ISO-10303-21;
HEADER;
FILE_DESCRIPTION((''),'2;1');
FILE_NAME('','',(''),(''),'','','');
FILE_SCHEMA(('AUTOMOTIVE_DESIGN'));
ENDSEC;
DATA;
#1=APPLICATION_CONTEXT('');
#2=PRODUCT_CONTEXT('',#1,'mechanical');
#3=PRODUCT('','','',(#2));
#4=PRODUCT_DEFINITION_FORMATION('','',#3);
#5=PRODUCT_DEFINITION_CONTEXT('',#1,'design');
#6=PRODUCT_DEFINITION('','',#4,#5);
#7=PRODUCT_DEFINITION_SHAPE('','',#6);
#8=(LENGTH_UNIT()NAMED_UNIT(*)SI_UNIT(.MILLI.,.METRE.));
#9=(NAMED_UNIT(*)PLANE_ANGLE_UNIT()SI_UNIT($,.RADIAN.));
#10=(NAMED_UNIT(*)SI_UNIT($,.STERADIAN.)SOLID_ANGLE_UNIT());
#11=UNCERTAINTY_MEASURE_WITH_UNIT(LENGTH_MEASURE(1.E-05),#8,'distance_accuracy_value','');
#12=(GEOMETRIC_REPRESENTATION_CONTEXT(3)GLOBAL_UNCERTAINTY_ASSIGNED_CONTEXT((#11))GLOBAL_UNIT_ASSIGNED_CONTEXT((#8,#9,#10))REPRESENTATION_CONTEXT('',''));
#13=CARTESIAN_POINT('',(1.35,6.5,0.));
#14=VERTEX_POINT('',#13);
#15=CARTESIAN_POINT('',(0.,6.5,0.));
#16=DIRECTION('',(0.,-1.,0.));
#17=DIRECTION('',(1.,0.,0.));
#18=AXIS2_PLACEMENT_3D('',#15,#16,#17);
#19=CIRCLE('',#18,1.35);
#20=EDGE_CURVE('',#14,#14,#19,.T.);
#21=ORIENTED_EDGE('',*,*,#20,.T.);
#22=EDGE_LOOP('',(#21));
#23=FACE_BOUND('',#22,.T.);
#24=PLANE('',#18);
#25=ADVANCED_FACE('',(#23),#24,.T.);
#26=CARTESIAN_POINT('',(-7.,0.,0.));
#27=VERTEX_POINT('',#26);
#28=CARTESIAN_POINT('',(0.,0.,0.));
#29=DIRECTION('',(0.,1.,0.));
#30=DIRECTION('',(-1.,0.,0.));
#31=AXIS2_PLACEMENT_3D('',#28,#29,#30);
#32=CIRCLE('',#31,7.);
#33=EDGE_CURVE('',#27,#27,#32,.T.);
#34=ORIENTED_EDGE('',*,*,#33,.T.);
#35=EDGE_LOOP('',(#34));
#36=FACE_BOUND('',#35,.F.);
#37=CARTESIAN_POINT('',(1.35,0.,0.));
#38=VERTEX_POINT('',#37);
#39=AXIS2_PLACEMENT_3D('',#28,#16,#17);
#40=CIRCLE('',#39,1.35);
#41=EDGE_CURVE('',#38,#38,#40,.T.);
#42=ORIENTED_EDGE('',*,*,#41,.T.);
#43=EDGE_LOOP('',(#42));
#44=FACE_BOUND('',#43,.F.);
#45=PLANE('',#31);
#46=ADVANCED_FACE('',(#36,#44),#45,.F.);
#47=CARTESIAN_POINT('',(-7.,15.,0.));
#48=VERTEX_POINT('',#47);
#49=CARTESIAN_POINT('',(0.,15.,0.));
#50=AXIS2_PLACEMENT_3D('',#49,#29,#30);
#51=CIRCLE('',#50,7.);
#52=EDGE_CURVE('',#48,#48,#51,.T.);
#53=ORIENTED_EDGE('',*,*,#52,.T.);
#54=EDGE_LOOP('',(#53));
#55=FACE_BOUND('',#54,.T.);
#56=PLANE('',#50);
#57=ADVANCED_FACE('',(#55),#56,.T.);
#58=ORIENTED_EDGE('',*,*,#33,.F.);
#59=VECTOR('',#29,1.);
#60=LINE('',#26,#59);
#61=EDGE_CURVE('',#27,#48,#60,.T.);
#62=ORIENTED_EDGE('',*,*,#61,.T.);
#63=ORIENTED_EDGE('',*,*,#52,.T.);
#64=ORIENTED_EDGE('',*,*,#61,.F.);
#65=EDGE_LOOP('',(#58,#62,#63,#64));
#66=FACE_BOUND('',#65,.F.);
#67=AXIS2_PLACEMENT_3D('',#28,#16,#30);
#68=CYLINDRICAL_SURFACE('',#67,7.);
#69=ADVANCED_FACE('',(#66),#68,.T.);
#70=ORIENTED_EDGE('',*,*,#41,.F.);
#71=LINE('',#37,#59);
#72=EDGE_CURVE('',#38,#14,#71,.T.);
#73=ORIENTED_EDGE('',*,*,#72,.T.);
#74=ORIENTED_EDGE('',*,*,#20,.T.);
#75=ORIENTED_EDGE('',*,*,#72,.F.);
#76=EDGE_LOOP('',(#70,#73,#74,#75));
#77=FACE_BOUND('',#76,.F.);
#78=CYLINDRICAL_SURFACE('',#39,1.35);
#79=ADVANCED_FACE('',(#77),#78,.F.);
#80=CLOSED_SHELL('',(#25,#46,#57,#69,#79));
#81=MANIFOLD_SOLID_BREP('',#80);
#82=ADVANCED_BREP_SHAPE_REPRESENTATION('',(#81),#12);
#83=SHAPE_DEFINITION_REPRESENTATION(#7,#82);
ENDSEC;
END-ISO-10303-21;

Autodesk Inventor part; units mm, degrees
ref_plane "YZ Plane" through (0, 0, 0) normal (1, 0, 0) x (0, 1, 0)
ref_plane "XZ Plane" through (0, 0, 0) normal (0, 1, 0) x (-1, 0, 0)
ref_plane "XY Plane" through (0, 0, 0) normal (0, 0, 1) x (1, 0, 0)
sketch "Sketch1" plane through (0, 0, 0) normal (0, 1, 0) x (-1, 0, 0)
  circle A0 centre (0, 0) radius 7
  dimension "d0" = 14
extrude "Extrusion1" add sketch "Sketch1" along normal blind 15
sketch "Sketch2" plane through (0, 0, 0) normal (0, -1, 0) x (1, 0, 0)
  circle A0 centre (0, 0) radius 1.35
  dimension "d3" = 2.7
extrude "Extrusion2" cut sketch "Sketch2" against normal blind 6.5
properties part number "PDMS stretcher mould divided in parts_2"
